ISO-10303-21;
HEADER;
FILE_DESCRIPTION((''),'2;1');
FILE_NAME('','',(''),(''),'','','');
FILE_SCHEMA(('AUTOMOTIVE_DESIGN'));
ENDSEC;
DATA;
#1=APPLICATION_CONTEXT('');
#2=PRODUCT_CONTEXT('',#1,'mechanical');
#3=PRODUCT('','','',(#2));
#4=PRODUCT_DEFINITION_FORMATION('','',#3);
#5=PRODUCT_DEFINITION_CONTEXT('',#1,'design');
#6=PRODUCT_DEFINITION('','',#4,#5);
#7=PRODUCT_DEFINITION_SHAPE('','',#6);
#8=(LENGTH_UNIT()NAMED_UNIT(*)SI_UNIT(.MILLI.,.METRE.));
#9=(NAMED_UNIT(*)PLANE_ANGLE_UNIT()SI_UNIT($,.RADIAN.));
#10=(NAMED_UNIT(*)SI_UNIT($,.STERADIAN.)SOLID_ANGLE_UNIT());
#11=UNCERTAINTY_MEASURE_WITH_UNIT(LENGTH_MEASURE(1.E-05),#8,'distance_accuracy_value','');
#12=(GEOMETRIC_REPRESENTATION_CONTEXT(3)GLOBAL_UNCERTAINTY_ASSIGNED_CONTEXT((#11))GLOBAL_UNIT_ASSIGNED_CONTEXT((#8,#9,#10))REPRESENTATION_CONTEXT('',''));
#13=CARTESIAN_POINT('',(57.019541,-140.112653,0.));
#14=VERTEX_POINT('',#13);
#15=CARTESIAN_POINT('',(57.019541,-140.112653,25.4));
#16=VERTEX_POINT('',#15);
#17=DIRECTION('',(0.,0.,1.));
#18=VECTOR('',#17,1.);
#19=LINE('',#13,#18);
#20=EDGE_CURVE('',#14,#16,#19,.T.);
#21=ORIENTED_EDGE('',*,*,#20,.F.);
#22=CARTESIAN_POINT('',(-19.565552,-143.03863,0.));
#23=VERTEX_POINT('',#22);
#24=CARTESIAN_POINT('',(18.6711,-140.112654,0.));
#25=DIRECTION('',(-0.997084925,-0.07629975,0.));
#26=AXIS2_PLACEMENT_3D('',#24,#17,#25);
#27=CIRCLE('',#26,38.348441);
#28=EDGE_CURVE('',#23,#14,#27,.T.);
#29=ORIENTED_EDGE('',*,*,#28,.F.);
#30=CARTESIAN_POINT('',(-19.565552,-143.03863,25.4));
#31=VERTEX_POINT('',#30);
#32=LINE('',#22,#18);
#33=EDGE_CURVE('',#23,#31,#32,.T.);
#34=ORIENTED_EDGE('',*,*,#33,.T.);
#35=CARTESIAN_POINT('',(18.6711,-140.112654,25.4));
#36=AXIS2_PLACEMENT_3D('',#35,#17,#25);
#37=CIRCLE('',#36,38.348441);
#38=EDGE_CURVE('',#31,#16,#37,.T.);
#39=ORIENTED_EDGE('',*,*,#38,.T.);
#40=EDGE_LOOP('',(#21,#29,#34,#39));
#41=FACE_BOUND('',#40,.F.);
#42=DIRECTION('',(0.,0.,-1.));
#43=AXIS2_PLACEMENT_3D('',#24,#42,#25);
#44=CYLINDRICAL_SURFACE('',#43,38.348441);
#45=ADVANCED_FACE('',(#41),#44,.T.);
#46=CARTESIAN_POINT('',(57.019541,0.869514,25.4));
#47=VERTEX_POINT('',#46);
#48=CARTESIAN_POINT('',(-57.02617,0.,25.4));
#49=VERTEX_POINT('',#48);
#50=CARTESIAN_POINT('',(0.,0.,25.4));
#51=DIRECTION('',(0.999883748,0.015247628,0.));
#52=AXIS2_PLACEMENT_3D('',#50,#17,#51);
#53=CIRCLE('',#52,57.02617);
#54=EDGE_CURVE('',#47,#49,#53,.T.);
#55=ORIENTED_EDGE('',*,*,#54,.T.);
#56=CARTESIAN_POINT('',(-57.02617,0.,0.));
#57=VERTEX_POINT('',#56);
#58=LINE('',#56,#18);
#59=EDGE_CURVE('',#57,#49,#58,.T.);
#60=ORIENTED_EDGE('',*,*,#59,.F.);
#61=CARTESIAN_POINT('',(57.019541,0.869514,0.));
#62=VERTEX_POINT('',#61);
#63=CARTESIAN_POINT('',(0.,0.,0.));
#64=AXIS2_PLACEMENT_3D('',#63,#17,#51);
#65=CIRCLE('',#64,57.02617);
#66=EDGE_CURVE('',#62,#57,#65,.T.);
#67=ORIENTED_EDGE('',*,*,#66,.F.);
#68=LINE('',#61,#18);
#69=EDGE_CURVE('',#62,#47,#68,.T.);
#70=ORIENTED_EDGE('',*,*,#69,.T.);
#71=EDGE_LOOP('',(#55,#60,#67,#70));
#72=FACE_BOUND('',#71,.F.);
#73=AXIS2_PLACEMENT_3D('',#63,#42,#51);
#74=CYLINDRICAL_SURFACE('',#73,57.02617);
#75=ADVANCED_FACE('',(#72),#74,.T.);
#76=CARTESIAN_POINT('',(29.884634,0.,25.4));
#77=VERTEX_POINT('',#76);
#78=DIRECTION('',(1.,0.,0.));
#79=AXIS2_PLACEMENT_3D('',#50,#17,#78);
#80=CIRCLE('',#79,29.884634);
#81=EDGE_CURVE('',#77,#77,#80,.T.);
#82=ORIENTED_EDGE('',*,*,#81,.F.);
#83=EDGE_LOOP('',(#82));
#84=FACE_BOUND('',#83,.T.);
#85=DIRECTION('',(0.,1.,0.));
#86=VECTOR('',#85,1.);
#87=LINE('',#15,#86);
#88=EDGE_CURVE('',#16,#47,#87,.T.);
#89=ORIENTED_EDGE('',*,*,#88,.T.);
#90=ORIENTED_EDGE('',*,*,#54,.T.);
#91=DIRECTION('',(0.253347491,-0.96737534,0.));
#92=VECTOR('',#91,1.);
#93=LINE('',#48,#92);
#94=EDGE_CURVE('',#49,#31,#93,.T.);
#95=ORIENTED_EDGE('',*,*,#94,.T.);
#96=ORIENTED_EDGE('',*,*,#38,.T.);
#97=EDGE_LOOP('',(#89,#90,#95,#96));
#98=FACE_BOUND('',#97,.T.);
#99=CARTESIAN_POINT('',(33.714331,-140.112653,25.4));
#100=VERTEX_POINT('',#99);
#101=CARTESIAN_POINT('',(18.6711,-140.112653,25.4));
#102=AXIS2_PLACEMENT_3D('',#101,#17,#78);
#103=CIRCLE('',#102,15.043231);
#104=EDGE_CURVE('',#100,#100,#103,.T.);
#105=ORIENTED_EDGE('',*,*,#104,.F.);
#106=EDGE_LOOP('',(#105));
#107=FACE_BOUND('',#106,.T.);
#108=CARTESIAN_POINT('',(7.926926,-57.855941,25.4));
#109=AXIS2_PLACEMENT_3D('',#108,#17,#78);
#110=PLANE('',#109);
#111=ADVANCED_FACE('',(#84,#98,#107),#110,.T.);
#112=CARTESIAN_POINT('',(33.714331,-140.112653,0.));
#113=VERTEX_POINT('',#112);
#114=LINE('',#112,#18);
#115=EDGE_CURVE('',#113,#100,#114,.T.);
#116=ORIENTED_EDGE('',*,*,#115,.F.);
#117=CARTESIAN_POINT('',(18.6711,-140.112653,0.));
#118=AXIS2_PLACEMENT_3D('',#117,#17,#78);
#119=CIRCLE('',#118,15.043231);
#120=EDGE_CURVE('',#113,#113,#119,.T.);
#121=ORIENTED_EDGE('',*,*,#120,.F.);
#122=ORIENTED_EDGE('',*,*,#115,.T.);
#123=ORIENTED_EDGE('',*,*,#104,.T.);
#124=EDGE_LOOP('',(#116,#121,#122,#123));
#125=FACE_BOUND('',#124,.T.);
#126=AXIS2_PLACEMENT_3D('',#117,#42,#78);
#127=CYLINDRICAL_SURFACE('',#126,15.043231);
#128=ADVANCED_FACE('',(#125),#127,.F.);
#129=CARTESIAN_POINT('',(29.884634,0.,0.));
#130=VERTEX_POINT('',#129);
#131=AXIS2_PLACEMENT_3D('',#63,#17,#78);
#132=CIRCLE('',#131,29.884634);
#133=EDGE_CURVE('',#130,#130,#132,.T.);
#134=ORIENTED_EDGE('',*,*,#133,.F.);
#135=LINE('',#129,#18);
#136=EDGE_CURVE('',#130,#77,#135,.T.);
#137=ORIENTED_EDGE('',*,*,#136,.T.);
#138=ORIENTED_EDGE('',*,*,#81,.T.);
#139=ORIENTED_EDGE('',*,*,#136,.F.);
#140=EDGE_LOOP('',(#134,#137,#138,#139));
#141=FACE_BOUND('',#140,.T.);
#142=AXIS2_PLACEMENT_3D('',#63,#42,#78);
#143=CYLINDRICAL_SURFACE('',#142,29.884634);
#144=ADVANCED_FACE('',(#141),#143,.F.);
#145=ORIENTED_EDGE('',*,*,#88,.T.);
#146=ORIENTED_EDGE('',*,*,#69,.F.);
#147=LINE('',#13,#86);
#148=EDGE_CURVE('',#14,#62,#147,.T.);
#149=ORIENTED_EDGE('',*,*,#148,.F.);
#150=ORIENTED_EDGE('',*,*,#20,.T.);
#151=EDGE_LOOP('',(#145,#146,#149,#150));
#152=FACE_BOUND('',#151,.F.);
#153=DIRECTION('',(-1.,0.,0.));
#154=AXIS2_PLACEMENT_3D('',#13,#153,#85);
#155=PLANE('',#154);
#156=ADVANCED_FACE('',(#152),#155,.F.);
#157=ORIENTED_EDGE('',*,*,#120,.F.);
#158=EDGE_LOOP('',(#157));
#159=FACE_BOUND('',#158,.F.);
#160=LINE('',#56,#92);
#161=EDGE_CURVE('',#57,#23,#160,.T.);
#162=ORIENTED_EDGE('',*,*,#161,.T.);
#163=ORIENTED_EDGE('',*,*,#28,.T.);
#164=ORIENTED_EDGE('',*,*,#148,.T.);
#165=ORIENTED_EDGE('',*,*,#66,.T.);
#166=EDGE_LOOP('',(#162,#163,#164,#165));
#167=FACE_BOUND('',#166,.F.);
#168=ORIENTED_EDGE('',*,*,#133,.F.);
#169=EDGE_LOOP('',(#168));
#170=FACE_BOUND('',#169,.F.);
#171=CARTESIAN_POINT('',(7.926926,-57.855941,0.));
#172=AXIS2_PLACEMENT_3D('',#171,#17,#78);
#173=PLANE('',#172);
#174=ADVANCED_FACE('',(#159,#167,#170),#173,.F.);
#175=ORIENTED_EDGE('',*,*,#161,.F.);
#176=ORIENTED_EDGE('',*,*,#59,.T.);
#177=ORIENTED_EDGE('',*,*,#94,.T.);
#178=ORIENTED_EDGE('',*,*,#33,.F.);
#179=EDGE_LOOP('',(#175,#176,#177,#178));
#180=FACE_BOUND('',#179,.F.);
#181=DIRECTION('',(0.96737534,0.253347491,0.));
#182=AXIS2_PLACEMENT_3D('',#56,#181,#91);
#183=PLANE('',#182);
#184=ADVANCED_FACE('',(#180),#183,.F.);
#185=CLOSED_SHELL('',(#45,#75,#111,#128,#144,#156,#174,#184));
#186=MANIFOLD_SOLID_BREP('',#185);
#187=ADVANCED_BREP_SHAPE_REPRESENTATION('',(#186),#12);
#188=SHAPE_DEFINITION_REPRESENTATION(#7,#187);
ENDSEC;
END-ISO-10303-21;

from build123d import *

# Parameters (mm, degrees)
F0_R     = 15.043231
F0_R_2   = 29.884634
F1_DEPTH = 25.4


with BuildPart() as f1:
    # F0 (on Top) → F1 (new body)
    with BuildSketch(Plane.XY):
        with BuildLine():
            ThreePointArc((57.019541, 0.869514), (-0.43477, 57.024513), (-57.02617, 0))
            Line((-57.02617, 0), (-19.565552, -143.03863))
            ThreePointArc((-19.565552, -143.03863), (20.135156, -178.433137), (57.019541, -140.112653))
            Line((57.019541, -140.112653), (57.019541, 0.869514))
        make_face()
        with Locations((18.6711, -140.112653)):
            Circle(F0_R, mode=Mode.SUBTRACT)
        Circle(F0_R_2, mode=Mode.SUBTRACT)
    extrude(amount=F1_DEPTH)


solid = f1.part
